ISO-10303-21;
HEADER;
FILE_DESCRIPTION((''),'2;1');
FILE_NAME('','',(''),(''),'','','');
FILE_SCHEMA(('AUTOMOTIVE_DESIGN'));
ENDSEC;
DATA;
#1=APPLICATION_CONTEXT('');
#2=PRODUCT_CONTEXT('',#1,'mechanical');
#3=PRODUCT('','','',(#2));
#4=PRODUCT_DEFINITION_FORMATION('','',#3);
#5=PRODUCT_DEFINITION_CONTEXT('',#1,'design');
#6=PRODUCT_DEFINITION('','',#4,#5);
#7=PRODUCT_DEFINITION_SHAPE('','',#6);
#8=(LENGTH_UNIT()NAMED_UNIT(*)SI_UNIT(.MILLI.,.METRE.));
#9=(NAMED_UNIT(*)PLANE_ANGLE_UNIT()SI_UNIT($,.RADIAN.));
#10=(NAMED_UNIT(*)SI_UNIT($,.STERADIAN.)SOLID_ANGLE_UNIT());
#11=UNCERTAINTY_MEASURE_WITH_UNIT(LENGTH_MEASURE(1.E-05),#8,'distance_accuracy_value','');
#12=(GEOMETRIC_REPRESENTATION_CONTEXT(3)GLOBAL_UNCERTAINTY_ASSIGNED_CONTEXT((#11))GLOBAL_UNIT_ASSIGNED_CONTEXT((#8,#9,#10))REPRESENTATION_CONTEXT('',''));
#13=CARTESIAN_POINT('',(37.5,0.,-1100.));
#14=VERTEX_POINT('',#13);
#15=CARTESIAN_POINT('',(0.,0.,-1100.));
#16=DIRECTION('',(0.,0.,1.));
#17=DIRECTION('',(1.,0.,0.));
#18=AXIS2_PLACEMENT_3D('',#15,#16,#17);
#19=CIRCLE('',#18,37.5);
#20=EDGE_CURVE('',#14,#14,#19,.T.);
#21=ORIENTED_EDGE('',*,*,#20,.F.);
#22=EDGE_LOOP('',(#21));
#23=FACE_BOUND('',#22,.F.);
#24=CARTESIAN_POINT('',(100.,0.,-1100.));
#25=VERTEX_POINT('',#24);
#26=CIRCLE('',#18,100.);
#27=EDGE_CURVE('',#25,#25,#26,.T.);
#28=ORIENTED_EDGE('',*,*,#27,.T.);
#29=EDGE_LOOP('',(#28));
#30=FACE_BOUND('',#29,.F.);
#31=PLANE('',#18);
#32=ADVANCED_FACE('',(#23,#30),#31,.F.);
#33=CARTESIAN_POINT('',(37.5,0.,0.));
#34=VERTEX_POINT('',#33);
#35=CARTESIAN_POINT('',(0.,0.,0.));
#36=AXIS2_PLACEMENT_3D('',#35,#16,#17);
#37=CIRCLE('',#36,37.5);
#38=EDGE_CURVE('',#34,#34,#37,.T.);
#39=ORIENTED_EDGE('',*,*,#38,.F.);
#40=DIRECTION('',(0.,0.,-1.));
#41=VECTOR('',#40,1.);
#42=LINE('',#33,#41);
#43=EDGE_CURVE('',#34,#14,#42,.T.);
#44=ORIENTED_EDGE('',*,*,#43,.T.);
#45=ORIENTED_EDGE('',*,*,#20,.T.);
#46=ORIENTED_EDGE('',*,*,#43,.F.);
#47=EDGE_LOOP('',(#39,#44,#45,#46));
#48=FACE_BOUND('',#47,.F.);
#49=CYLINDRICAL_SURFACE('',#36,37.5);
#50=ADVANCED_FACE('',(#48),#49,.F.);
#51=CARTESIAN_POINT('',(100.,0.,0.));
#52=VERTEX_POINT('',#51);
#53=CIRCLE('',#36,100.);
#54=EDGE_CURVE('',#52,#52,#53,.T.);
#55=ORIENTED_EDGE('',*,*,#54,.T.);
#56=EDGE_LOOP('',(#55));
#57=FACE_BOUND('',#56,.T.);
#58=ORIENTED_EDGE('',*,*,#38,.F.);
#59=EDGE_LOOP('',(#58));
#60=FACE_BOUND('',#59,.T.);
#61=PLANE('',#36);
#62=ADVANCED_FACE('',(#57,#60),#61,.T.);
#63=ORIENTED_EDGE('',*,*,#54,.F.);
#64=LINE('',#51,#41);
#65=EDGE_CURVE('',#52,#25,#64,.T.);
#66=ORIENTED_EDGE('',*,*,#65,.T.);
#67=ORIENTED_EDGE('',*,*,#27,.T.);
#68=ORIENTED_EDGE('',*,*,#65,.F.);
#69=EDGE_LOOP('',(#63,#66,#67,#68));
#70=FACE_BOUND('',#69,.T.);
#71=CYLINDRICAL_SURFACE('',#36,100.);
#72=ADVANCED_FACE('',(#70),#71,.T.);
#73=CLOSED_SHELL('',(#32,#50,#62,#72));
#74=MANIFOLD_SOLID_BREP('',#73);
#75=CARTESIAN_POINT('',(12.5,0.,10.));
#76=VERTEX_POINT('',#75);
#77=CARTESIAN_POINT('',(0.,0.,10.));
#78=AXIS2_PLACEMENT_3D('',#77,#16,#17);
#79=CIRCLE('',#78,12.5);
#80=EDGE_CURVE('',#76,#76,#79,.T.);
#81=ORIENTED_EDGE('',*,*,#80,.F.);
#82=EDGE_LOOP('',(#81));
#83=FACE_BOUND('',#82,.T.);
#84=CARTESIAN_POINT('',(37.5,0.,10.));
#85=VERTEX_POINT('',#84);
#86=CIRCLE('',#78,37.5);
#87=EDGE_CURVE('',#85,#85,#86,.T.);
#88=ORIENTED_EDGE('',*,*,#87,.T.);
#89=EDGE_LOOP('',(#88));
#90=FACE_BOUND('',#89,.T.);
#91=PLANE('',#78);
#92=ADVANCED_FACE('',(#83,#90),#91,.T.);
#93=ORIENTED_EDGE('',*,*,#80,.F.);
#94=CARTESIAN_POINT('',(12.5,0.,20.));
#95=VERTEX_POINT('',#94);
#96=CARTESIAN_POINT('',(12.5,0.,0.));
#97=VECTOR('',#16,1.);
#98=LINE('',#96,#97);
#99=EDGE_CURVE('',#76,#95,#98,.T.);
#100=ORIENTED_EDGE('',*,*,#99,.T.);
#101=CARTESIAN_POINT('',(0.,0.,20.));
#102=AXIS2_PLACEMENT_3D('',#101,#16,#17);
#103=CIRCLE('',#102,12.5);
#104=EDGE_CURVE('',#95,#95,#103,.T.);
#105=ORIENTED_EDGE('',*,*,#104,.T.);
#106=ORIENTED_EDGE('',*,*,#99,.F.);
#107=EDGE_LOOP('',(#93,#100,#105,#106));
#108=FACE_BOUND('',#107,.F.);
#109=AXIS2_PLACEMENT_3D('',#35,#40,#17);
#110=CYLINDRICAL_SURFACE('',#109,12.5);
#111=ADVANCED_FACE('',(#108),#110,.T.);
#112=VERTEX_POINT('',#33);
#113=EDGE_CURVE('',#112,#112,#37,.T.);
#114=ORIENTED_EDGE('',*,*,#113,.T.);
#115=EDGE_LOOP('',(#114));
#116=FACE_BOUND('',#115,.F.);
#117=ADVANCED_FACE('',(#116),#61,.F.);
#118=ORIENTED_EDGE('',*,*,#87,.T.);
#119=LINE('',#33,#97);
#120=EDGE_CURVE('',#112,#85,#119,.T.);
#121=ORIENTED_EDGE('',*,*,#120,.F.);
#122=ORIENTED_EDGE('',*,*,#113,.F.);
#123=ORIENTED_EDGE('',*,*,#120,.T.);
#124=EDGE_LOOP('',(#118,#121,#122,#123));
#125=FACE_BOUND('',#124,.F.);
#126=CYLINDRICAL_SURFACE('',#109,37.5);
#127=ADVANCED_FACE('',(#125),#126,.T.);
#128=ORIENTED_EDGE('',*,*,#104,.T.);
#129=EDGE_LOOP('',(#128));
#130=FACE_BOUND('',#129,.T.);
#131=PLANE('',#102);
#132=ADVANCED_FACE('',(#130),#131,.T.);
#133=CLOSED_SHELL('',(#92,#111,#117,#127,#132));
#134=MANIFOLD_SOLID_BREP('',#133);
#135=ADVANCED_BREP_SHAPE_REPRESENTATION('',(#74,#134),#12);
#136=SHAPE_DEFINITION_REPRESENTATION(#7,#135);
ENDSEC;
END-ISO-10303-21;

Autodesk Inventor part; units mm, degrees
ref_plane "YZ Plane" through (0, 0, 0) normal (1, 0, 0) x (0, 1, 0)
ref_plane "XZ Plane" through (0, 0, 0) normal (0, 1, 0) x (-1, 0, 0)
ref_plane "XY Plane" through (0, 0, 0) normal (0, 0, 1) x (1, 0, 0)
sketch "Sketch1" plane through (0, 0, 0) normal (0, 0, 1) x (1, 0, 0)
  circle A0 centre (0, 0) radius 37.5
  circle A1 centre (0, 0) radius 12.5
  circle A2 centre (0, 0) radius 100
  dimension "d0" = 75
  dimension "d1" = 25
  dimension "d2" = 200
extrude "Extrusion1" add sketch "Sketch1" against normal blind 1100 contours A2
extrude "Extrusion2" add sketch "Sketch1" along normal blind 10 contours A0
extrude "Extrusion3" add sketch "Sketch1" along normal blind 20 contours A1
properties part number "Teste Limpador"
